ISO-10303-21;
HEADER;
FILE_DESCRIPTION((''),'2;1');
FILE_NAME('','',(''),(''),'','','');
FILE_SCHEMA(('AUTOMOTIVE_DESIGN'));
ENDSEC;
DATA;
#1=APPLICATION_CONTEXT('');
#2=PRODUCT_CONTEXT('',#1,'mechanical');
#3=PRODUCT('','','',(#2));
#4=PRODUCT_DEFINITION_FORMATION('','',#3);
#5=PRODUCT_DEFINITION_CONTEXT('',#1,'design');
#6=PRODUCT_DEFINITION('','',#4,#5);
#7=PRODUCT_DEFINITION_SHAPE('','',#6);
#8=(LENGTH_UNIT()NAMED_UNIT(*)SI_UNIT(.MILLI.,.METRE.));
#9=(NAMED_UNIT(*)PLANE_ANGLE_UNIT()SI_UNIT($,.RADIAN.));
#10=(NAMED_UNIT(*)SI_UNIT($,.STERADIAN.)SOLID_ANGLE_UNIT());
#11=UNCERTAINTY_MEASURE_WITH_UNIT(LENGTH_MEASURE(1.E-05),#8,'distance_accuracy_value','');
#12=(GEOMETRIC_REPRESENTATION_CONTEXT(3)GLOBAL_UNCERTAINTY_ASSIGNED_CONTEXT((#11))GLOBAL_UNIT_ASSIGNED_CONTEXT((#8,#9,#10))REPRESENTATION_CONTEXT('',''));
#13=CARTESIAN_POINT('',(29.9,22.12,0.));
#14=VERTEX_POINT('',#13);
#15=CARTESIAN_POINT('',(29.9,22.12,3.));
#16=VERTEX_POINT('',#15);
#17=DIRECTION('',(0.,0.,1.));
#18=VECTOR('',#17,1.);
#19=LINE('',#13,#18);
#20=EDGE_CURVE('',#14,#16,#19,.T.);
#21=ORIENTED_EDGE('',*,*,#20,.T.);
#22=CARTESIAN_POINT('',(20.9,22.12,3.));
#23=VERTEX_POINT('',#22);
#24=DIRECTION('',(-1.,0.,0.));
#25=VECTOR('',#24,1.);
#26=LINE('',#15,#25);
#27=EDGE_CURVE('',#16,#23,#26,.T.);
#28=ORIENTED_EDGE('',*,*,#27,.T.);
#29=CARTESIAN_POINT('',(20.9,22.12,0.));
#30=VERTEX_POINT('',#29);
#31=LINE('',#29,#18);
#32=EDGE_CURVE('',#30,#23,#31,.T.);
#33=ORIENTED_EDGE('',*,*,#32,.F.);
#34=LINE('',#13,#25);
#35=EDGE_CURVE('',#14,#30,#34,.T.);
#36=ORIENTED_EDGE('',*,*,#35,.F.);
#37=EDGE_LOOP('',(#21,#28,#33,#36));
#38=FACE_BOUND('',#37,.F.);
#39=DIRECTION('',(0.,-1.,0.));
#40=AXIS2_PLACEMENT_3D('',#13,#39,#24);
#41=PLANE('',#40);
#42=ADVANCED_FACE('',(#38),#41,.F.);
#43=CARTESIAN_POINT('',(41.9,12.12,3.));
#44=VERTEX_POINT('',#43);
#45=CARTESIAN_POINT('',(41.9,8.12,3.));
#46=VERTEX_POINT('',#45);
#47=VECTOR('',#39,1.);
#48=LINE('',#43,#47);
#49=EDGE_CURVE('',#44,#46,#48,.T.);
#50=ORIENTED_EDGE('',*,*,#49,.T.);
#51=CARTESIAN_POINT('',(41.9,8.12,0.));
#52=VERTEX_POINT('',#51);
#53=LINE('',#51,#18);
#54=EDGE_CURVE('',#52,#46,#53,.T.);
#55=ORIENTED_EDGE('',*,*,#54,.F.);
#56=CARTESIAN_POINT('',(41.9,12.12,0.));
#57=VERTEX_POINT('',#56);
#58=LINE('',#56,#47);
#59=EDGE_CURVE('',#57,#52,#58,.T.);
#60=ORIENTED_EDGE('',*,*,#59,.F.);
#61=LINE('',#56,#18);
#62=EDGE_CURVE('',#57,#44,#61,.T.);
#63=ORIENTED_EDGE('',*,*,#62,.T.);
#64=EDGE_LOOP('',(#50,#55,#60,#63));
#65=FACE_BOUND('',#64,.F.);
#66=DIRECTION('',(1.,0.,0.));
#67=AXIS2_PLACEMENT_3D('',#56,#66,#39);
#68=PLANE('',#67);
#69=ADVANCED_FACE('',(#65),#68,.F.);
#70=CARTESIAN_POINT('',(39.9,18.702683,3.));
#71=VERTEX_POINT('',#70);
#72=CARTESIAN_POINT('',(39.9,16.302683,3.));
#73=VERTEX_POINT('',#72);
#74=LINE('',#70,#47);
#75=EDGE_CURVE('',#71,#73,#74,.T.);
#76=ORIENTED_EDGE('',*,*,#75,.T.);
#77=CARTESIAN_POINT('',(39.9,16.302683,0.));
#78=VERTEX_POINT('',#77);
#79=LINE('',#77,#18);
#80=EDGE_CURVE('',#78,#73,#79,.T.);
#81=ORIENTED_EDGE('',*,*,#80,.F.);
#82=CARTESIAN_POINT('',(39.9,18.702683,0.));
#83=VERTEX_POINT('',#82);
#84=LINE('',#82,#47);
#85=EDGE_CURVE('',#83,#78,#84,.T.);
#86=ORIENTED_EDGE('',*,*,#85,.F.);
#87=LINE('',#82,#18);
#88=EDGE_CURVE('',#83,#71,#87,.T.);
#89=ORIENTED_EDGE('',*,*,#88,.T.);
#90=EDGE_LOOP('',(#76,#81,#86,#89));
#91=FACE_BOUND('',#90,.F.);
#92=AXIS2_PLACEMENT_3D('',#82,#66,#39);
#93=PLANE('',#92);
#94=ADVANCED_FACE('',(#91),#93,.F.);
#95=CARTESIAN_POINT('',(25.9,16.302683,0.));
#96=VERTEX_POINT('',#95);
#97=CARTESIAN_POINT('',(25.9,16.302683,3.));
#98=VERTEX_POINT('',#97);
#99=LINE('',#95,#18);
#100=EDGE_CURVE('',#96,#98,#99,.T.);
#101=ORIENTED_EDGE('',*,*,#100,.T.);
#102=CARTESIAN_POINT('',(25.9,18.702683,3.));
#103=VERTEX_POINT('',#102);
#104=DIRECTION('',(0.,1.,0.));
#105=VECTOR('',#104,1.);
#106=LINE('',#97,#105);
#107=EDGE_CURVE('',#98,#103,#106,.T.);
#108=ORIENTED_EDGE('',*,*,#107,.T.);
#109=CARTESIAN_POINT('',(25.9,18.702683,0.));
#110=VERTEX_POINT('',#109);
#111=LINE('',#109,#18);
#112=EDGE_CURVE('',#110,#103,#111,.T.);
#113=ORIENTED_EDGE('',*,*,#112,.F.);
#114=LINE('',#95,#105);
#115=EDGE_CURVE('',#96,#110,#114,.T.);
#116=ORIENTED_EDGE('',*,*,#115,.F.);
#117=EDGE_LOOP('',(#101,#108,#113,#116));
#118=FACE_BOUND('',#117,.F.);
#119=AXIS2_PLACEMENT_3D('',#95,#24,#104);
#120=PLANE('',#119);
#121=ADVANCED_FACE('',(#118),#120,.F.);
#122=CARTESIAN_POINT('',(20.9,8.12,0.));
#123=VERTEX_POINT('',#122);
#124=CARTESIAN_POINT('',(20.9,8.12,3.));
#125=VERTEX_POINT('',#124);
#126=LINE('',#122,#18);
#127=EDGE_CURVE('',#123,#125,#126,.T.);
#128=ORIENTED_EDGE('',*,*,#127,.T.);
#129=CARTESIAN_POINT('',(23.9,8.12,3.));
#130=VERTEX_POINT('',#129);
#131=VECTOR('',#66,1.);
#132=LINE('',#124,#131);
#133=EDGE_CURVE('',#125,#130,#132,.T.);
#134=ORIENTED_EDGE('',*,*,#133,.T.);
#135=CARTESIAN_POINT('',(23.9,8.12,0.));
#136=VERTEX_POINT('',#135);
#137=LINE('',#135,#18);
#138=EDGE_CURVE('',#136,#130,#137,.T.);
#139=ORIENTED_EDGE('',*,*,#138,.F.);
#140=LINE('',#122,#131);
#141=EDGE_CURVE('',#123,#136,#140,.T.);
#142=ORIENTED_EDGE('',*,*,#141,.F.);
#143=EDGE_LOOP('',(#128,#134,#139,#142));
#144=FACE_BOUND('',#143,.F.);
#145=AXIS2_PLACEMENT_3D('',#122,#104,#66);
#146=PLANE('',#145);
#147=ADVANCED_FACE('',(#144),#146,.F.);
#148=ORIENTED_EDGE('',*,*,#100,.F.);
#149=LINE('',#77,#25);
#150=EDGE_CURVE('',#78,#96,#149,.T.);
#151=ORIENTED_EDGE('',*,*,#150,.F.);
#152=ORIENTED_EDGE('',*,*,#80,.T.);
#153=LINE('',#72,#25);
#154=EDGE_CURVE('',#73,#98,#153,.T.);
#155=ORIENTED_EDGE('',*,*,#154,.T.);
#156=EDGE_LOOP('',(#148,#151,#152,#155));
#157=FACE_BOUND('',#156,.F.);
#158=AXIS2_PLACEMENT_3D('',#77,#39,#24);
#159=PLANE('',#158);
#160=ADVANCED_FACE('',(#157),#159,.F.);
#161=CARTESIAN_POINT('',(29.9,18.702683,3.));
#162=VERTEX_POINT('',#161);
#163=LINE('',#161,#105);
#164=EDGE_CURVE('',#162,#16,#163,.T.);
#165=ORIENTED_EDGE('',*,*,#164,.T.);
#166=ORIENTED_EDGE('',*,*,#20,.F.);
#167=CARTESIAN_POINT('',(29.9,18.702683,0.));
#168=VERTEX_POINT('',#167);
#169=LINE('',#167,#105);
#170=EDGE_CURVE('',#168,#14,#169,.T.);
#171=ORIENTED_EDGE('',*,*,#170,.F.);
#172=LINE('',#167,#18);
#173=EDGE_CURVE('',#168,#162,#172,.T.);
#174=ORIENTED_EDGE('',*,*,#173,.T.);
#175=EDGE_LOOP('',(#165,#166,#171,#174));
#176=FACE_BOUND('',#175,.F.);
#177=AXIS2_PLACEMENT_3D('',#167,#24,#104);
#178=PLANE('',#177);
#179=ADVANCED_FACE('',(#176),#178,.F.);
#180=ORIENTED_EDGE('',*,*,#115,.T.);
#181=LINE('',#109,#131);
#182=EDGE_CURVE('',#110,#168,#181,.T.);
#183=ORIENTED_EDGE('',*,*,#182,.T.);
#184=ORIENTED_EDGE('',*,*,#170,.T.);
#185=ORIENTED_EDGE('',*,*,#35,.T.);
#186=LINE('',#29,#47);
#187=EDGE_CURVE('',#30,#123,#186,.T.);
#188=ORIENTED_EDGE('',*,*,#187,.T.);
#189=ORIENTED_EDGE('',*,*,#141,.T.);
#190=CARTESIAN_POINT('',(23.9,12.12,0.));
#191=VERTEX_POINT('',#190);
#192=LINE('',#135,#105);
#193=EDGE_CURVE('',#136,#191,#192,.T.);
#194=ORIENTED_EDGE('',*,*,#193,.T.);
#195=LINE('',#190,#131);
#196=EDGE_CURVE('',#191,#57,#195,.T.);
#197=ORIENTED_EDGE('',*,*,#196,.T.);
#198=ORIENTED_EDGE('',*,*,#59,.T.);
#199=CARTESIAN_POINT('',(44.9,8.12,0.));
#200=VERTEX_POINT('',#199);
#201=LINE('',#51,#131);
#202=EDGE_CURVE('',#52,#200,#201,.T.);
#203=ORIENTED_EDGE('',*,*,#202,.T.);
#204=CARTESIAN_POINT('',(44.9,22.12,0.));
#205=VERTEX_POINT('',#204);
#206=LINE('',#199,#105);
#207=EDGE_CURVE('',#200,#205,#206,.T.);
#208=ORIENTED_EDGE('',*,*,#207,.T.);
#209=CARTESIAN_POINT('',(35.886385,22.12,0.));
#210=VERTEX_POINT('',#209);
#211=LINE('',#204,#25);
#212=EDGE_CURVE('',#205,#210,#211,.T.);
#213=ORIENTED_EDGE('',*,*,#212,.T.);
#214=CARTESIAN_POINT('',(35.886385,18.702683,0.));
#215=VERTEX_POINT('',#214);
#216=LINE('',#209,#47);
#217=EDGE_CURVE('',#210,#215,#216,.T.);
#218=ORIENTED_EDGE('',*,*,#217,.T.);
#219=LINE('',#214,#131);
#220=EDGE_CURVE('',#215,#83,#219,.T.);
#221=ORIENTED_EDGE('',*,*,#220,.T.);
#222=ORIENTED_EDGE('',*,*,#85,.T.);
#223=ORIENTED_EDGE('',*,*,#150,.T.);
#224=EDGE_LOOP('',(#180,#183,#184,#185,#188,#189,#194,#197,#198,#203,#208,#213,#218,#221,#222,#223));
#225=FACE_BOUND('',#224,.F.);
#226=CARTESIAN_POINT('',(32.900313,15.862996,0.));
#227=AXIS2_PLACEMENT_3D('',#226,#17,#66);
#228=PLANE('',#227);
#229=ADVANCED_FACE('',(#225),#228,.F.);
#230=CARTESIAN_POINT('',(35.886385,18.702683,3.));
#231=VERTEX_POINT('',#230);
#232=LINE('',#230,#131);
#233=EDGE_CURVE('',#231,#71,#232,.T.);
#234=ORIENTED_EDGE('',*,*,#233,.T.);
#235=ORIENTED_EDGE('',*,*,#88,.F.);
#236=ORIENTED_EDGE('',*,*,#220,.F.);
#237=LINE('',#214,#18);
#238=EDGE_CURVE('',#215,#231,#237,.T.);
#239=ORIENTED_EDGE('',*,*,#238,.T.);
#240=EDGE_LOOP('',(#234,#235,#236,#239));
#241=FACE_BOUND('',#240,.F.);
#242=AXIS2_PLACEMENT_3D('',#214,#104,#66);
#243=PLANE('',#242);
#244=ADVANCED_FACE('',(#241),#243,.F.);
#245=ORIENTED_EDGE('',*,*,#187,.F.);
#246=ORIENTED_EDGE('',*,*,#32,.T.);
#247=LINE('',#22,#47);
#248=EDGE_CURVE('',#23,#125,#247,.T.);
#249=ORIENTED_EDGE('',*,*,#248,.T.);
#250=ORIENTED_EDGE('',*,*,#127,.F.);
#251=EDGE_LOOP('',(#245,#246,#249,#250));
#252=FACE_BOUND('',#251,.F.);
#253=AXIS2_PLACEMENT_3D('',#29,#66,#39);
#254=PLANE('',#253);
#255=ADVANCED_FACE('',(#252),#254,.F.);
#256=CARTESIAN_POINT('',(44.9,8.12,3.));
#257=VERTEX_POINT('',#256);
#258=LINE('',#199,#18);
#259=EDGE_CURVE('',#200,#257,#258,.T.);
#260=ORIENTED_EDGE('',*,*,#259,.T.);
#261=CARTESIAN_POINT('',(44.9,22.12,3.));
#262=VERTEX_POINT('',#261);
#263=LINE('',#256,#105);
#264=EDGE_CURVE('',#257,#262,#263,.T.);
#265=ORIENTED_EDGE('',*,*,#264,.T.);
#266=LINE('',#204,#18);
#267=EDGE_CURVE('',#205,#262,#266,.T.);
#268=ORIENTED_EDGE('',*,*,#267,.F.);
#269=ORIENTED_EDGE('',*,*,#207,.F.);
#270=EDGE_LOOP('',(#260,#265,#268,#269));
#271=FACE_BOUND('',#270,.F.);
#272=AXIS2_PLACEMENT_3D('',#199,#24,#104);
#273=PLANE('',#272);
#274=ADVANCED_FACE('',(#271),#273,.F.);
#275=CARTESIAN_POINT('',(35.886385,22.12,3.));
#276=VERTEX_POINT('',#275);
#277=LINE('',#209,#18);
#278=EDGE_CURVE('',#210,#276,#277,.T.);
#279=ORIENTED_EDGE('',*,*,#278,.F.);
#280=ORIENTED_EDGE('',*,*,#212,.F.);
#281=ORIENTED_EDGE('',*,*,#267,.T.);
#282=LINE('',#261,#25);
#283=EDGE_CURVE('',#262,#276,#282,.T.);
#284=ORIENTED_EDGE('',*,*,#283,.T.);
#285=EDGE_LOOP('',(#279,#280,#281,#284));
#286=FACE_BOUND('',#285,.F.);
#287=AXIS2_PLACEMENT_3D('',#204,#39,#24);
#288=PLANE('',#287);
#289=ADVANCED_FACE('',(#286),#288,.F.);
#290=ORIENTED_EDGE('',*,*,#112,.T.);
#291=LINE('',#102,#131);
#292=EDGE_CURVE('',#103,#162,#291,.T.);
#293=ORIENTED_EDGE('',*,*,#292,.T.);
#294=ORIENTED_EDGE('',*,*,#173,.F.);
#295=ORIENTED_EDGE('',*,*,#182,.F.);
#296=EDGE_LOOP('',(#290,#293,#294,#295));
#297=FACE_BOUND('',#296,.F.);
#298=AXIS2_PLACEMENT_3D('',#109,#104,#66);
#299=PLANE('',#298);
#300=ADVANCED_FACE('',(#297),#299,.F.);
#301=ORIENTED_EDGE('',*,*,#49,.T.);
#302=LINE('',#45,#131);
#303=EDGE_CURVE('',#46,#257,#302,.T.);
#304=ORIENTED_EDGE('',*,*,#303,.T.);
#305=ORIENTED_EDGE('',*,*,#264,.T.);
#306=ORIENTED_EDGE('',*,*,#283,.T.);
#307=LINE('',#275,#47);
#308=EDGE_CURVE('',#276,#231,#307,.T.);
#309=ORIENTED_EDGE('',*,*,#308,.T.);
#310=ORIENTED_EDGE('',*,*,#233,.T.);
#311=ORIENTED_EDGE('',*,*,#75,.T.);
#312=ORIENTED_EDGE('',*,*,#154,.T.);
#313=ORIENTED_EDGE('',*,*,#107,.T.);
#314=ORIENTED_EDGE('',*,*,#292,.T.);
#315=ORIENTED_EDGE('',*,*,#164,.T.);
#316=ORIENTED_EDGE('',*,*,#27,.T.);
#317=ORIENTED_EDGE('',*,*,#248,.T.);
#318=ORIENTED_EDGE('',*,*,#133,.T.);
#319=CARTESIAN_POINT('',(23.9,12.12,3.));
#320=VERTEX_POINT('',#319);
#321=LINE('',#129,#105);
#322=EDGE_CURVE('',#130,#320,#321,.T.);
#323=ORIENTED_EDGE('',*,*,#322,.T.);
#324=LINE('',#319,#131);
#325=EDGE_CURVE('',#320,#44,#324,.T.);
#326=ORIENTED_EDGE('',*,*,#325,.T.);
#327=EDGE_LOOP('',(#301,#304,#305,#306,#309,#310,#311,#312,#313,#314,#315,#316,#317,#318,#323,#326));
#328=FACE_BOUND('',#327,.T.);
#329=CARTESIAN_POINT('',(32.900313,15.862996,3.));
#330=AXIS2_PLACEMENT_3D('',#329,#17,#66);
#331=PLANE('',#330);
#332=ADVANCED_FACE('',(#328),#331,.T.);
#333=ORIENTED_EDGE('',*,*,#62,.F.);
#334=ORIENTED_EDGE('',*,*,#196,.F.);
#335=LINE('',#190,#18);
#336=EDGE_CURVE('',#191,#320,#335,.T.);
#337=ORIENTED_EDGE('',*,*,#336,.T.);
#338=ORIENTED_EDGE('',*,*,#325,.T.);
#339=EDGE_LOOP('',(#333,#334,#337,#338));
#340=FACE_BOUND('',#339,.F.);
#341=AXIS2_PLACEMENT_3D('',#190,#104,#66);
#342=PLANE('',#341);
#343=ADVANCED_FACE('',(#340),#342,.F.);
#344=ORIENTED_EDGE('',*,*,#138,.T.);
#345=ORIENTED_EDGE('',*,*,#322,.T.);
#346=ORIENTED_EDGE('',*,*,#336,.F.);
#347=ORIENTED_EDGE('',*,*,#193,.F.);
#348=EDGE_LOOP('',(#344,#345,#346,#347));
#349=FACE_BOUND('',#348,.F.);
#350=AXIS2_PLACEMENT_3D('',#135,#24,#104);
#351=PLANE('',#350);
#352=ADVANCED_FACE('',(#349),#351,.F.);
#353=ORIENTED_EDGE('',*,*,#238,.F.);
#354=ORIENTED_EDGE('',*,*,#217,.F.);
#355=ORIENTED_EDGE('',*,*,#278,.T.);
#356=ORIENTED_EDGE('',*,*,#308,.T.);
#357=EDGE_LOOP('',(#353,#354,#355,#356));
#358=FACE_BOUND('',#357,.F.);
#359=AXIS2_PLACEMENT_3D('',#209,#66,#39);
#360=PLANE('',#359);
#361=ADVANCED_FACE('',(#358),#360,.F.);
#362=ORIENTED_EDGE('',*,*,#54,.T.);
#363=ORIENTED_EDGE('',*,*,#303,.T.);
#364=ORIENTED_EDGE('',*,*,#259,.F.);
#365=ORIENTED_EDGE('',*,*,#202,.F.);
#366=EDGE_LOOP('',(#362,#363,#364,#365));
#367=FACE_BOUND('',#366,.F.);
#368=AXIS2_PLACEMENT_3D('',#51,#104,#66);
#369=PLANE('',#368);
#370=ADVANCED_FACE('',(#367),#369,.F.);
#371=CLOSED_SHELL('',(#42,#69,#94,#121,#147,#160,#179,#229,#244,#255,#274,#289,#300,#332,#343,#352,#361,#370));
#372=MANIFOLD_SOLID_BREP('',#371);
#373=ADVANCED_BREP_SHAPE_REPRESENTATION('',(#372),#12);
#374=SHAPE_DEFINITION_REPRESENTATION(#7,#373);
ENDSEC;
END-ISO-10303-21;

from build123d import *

# Parameters (mm, degrees)
SALIENTE_EXTRUIR1_DEPTH = 3


with BuildPart() as part:
    # Model → Saliente-Extruir1 (new body)
    with BuildSketch(Plane.XY):
        Polygon((32.4, 16.302683294), (25.9, 16.302683294), (25.9, 18.702683294), (29.9, 18.702683294), (29.9, 22.12), (20.9, 22.12), (20.9, 8.12), (23.9, 8.12), (23.9, 12.12), (41.9, 12.12), (41.9, 8.12), (44.9, 8.12), (44.9, 22.12), (35.886385402, 22.12), (35.886385402, 18.702683294), (39.9, 18.702683294), (39.9, 16.302683294), (33.4, 16.302683294), align=None)
    extrude(amount=SALIENTE_EXTRUIR1_DEPTH)


solid = part.part
